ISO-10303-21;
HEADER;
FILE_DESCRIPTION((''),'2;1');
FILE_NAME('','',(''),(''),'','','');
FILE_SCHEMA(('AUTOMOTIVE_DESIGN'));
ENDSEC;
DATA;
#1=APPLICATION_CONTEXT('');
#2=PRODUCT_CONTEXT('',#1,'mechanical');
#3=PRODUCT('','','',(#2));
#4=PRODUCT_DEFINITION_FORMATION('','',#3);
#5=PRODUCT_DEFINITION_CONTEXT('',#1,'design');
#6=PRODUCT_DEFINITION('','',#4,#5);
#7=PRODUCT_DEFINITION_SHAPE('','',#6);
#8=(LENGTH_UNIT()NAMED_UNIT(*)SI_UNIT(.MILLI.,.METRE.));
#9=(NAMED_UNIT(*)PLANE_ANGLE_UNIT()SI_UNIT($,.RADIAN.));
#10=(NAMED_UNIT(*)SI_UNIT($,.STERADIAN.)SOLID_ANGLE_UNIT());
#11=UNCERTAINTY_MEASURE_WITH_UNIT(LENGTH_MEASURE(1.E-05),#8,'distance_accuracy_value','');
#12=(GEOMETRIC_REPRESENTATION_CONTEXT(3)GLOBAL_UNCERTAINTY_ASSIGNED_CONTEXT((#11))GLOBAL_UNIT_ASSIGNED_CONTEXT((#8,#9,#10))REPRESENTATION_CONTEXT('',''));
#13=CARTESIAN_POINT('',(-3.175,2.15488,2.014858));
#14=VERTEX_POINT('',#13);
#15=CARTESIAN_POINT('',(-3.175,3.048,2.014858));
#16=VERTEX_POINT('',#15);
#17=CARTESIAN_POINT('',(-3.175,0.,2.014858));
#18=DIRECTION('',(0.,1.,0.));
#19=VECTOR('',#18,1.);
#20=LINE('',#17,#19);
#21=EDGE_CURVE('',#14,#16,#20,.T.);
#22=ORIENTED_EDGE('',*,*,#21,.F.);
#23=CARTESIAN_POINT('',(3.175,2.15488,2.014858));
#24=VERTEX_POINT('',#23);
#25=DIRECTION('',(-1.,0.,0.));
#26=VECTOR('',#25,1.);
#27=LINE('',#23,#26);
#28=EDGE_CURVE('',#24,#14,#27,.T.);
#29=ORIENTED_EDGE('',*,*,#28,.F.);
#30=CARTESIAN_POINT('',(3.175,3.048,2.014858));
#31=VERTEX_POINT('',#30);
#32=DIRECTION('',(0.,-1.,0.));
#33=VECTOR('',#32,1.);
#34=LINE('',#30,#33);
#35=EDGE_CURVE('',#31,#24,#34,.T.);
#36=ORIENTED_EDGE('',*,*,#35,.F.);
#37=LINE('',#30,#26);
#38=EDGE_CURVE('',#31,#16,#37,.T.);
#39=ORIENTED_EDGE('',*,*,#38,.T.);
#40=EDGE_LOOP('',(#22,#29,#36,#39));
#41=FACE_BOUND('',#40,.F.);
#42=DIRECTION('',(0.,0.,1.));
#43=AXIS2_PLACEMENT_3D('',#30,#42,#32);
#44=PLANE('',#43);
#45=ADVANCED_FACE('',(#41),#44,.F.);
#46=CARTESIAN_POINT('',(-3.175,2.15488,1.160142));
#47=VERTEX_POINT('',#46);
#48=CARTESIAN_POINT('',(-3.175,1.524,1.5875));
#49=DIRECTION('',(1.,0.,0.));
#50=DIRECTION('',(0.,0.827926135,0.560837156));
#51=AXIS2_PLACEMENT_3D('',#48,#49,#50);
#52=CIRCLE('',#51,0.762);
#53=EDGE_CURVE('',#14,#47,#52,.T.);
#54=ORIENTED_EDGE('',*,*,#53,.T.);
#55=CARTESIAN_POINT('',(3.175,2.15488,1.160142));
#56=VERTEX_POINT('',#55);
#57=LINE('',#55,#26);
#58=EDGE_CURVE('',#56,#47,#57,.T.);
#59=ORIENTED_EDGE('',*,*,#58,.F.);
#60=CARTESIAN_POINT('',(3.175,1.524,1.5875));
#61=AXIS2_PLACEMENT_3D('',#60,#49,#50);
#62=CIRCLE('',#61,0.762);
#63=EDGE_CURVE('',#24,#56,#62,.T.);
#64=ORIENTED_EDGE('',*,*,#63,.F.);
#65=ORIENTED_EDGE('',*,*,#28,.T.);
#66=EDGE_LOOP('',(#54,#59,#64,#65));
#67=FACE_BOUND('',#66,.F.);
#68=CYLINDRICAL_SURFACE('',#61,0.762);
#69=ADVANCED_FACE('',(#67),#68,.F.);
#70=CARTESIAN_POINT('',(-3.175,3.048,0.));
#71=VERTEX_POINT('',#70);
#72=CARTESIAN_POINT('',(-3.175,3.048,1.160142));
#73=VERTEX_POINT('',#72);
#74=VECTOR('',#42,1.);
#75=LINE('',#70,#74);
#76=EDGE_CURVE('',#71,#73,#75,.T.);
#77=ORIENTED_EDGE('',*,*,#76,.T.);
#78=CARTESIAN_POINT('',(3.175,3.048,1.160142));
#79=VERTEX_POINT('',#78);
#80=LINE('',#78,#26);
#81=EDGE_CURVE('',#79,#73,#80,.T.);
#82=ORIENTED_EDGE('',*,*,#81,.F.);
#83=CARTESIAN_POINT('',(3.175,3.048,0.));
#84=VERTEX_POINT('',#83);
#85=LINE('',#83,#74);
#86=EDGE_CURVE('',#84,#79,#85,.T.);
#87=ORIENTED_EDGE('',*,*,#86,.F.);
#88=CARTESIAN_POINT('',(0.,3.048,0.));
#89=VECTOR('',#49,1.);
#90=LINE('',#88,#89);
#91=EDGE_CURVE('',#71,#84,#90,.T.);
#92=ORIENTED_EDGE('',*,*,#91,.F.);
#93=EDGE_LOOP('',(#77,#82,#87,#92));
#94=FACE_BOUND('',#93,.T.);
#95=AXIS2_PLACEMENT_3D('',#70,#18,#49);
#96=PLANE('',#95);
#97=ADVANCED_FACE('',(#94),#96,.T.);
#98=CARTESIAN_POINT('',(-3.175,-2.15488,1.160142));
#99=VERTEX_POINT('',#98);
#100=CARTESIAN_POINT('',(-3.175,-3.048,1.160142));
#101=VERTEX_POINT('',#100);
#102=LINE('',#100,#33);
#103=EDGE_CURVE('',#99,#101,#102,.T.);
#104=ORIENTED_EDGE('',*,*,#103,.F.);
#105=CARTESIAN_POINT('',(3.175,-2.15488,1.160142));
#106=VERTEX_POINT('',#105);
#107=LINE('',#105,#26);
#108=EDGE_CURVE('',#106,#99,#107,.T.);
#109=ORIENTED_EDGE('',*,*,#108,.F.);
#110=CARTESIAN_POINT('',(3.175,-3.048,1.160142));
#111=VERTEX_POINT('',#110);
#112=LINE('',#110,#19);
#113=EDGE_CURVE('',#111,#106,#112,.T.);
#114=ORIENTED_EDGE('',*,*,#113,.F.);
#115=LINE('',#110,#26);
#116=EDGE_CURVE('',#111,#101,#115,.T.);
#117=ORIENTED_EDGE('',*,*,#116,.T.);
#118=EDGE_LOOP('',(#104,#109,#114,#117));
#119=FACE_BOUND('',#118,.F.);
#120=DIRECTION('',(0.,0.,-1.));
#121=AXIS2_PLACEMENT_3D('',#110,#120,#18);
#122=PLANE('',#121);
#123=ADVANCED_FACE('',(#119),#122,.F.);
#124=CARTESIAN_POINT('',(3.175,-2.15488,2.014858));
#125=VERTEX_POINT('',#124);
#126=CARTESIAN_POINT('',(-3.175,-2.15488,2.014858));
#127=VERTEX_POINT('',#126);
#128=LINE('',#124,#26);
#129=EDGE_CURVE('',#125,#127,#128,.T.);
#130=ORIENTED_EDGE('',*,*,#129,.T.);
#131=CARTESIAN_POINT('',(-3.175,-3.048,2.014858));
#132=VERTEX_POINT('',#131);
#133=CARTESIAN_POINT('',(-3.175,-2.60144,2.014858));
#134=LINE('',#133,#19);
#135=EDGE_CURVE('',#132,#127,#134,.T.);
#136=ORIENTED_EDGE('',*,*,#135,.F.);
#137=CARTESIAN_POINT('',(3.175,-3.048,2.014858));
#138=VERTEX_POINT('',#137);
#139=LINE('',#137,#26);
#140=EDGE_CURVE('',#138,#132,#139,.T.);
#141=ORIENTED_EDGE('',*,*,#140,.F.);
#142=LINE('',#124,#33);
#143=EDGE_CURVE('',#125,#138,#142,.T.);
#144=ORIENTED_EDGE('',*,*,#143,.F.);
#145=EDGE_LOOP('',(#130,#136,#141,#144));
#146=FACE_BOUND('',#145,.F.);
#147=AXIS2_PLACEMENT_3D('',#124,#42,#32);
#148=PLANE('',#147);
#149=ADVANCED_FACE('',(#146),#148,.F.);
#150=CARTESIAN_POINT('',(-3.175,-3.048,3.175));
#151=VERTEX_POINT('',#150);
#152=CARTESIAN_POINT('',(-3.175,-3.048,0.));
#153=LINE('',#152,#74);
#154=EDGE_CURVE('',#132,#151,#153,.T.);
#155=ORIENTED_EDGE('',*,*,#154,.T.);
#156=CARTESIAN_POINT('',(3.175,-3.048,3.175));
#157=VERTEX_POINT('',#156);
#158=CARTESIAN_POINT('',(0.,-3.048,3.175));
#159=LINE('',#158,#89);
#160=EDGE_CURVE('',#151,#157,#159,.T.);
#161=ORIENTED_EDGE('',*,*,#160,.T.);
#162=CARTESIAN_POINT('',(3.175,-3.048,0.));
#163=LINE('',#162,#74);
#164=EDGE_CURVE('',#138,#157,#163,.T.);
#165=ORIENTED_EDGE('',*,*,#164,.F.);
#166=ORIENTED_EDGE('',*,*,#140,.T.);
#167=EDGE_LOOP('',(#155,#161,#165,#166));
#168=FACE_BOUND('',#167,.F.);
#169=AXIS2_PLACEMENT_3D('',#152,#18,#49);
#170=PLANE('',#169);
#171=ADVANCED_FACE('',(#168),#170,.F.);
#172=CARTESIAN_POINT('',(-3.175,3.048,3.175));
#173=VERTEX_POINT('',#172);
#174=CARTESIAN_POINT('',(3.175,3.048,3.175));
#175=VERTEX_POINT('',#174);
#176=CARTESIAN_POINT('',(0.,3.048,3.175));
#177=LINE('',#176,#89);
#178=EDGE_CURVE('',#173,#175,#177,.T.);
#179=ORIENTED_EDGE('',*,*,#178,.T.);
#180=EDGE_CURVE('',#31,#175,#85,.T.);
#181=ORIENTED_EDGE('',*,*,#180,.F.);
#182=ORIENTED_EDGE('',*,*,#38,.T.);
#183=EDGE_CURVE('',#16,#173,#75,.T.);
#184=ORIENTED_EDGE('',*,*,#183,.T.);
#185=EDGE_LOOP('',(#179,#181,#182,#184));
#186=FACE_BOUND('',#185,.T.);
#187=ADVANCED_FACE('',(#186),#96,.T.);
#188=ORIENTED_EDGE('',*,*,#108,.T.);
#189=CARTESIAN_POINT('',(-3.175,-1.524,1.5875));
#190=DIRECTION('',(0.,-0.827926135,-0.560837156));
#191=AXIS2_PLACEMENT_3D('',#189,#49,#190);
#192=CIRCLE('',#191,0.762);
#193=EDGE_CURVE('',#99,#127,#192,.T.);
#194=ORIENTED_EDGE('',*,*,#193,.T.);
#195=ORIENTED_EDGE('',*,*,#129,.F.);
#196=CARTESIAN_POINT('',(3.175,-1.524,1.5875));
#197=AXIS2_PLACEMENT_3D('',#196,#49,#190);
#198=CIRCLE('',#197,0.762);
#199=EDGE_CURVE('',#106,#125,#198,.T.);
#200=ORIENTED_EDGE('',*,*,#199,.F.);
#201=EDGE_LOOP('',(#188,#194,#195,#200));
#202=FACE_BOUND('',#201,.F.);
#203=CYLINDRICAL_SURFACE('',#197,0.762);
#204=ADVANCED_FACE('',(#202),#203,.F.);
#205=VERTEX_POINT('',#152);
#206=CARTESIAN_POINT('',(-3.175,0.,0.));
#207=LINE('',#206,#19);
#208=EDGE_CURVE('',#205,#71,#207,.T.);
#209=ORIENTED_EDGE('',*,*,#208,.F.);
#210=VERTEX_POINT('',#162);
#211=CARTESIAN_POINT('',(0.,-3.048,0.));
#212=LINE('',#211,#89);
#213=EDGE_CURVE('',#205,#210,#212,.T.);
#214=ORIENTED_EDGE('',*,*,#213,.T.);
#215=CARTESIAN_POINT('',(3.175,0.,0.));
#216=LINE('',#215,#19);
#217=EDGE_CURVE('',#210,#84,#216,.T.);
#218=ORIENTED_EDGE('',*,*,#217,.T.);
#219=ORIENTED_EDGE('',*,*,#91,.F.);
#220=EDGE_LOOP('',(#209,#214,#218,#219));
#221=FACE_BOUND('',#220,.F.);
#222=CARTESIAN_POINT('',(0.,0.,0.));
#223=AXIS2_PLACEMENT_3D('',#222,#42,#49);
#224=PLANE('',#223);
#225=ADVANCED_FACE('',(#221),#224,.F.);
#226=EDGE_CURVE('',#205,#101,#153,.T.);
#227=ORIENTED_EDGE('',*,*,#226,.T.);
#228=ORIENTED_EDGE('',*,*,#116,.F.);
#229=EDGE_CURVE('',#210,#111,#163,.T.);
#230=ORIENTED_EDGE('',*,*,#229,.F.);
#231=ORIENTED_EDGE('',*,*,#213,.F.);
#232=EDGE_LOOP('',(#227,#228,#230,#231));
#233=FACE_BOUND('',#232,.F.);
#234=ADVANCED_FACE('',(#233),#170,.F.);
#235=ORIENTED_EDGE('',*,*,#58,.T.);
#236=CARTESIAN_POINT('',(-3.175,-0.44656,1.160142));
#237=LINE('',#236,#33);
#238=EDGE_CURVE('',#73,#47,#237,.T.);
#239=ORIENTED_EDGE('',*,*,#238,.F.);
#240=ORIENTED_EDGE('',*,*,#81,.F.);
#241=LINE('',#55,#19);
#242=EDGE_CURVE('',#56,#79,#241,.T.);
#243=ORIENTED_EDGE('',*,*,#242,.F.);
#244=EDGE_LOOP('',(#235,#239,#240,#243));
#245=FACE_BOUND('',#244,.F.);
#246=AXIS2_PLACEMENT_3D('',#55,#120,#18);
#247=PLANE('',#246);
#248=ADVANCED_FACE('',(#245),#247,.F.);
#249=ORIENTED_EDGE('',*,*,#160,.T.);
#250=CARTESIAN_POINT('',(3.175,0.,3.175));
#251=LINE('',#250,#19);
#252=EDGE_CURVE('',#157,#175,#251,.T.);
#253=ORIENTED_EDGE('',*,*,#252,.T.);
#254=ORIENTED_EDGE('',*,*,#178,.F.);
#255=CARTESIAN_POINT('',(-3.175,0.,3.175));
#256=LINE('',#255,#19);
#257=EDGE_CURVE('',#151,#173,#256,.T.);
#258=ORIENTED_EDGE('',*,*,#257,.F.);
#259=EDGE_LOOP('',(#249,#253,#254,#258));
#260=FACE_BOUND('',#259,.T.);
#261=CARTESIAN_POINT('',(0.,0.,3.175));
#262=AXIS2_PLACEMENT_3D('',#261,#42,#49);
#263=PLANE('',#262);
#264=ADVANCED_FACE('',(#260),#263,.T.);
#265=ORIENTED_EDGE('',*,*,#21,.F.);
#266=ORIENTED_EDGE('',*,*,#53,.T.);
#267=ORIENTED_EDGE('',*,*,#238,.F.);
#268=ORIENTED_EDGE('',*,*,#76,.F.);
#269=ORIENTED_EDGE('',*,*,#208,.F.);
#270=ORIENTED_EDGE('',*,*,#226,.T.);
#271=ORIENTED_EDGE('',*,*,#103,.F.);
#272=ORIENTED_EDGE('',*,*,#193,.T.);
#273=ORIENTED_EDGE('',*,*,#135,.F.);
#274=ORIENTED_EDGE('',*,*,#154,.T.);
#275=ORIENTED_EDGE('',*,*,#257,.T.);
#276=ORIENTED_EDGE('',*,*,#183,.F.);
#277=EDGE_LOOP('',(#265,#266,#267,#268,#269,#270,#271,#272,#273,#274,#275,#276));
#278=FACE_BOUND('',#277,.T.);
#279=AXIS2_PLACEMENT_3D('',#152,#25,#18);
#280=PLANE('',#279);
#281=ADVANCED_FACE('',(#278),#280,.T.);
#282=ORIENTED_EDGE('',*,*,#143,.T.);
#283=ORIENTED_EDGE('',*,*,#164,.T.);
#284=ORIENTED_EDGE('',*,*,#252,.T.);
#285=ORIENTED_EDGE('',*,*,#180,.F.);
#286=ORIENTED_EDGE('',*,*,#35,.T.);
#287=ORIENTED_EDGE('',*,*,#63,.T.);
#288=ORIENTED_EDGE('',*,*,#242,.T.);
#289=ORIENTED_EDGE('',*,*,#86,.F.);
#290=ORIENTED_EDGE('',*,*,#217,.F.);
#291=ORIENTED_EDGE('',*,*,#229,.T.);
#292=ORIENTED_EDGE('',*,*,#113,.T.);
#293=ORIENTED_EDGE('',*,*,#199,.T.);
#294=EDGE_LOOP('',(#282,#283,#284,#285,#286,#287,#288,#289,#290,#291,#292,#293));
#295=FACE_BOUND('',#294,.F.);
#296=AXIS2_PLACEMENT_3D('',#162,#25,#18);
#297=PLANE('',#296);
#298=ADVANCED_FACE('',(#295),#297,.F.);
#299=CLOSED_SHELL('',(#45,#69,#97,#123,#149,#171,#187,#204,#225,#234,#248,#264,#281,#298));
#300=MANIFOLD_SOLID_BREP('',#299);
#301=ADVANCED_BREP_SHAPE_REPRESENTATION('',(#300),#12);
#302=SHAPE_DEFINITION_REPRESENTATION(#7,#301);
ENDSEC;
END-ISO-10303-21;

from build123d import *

# Parameters (mm, degrees)
F0_W     = 6.35
F0_H     = 6.096
F1_DEPTH = 3.175
F3_DEPTH = 6.351


with BuildPart() as f1:
    # F0 (on Top) → F1 (new body)
    with BuildSketch(Plane.XY):
        Rectangle(F0_W, F0_H)
    extrude(amount=F1_DEPTH)

    # F2 (on face) → F3 (cut, through all)
    with BuildSketch(Plane.YZ.offset(3.175)):
        with BuildLine():
            Line((3.048, 2.014858), (2.15488, 2.014858))
            ThreePointArc((2.15488, 2.014858), (0.762, 1.5875), (2.15488, 1.160142))
            Line((2.15488, 1.160142), (3.048, 1.160142))
            Line((3.048, 1.160142), (3.048, 2.014858))
        make_face()
        with BuildLine():
            Line((-2.15488, 2.014858), (-3.048, 2.014858))
            Line((-3.048, 2.014858), (-3.048, 1.160142))
            Line((-3.048, 1.160142), (-2.15488, 1.160142))
            ThreePointArc((-2.15488, 1.160142), (-0.762, 1.5875), (-2.15488, 2.014858))
        make_face()
    extrude(amount=-F3_DEPTH, mode=Mode.SUBTRACT)


solid = f1.part
